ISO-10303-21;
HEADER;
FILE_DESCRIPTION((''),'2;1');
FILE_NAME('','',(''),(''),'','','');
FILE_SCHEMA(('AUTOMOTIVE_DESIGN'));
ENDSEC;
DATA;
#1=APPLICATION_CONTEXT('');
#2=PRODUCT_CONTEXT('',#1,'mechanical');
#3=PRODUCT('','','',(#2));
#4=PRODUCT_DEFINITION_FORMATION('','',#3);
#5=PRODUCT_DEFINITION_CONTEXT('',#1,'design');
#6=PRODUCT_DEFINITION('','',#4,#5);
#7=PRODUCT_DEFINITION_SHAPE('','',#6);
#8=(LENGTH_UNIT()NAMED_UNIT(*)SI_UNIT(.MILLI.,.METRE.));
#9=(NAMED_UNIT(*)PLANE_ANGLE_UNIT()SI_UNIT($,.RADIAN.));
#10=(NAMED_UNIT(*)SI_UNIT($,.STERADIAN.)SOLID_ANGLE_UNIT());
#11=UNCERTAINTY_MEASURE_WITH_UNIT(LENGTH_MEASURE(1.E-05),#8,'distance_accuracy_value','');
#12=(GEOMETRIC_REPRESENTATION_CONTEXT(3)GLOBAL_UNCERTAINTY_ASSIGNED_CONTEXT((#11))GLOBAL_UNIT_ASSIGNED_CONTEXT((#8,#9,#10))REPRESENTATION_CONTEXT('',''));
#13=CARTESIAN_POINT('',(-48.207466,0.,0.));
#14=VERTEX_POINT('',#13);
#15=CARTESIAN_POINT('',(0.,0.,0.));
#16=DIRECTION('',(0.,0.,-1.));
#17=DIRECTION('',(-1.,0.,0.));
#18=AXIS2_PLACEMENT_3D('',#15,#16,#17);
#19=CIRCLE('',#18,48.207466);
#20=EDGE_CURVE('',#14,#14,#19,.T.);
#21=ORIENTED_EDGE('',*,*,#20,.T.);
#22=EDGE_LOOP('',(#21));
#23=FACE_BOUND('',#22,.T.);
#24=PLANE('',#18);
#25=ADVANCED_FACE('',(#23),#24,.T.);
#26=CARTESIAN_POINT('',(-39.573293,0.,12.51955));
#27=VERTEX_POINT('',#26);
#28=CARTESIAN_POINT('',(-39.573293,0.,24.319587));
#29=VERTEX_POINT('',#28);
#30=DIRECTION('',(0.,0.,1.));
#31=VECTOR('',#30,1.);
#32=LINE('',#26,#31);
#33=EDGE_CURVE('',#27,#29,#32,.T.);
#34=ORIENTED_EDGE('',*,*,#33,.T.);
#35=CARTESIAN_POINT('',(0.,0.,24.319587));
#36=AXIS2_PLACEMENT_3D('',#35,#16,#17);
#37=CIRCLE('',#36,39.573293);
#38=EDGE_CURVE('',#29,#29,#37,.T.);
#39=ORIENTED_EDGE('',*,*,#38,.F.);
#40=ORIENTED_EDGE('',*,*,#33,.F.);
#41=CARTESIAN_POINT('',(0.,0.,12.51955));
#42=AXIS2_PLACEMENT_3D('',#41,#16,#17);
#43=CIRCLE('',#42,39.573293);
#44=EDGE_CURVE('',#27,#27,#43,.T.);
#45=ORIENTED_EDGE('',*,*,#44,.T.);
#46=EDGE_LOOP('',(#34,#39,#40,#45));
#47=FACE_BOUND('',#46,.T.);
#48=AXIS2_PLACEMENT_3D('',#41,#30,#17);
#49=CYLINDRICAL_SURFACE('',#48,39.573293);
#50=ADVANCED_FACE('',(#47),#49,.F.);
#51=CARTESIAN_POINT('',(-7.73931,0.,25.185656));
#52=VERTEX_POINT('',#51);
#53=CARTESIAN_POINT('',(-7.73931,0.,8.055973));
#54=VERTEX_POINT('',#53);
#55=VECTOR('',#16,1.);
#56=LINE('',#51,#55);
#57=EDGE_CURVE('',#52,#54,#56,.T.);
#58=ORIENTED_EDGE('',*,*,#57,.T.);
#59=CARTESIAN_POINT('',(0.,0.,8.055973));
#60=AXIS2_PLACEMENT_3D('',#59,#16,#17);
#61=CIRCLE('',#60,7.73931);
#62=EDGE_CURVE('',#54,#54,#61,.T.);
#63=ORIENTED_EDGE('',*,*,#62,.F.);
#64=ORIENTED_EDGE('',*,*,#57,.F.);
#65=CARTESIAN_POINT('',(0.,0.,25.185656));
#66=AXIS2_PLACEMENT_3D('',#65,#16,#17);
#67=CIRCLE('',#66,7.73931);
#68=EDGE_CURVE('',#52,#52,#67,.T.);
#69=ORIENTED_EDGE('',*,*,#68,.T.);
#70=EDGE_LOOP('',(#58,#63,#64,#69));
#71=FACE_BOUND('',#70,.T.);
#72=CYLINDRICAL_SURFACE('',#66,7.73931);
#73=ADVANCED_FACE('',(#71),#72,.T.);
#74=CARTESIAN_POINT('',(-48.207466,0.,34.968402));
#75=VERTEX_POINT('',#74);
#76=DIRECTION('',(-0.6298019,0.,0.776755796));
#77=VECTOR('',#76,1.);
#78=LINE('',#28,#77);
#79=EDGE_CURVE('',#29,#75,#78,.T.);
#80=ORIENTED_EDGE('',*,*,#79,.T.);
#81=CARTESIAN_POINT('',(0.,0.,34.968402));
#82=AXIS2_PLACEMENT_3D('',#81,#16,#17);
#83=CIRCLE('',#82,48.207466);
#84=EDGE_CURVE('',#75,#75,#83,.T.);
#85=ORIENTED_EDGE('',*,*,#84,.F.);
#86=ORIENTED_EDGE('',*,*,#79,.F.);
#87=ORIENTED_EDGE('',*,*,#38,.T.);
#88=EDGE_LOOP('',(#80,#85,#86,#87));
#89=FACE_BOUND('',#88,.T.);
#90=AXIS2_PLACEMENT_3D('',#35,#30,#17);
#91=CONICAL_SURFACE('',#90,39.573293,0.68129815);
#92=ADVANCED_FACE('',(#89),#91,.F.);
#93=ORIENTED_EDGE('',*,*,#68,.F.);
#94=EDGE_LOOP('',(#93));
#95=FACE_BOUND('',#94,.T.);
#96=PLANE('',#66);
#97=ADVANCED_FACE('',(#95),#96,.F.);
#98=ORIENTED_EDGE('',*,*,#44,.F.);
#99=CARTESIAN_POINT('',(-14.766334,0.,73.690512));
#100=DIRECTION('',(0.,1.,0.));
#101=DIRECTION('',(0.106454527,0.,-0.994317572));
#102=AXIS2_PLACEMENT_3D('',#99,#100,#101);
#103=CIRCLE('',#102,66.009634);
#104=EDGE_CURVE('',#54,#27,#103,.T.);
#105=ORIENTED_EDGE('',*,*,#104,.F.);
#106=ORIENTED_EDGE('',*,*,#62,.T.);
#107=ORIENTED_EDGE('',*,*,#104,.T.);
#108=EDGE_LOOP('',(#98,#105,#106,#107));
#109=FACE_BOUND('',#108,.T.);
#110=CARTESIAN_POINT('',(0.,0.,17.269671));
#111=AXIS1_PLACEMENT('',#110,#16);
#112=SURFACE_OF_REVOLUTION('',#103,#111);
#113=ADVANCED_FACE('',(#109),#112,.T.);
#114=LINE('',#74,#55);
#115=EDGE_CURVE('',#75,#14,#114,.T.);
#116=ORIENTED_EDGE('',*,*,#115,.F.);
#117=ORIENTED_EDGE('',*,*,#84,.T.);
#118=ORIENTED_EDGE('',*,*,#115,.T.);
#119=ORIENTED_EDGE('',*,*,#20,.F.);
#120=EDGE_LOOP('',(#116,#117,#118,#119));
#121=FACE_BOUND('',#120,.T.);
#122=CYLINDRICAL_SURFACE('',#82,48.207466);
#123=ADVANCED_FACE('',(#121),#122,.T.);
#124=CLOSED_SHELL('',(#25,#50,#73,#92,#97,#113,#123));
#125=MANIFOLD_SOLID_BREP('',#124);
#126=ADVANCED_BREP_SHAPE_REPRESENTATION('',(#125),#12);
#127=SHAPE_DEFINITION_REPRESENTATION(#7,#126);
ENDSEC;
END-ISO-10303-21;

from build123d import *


with BuildPart() as f1:
    # F0 (on Front) → F1 (revolve)
    with BuildSketch(Plane.XZ):
        with BuildLine():
            Line((-48.207466, 12.51955), (-48.207466, 0))
            Line((-48.207466, 0), (0, 0))
            Line((0, 0), (0, 9.353687))
            Line((0, 9.353687), (0, 25.185656))
            Line((0, 25.185656), (-7.73931, 25.185656))
            Line((-7.73931, 25.185656), (-7.73931, 8.055973))
            ThreePointArc((-7.73931, 8.055973), (-23.932162, 8.32034), (-39.573293, 12.51955))
            Line((-39.573293, 12.51955), (-39.573293, 24.319587))
            Line((-39.573293, 24.319587), (-48.207466, 34.968402))
            Line((-48.207466, 34.968402), (-48.207466, 24.319587))
            Line((-48.207466, 24.319587), (-48.207466, 12.51955))
        make_face()
    revolve(axis=Axis((0, 0, 17.269671), (0, 0, -1)))


solid = f1.part
